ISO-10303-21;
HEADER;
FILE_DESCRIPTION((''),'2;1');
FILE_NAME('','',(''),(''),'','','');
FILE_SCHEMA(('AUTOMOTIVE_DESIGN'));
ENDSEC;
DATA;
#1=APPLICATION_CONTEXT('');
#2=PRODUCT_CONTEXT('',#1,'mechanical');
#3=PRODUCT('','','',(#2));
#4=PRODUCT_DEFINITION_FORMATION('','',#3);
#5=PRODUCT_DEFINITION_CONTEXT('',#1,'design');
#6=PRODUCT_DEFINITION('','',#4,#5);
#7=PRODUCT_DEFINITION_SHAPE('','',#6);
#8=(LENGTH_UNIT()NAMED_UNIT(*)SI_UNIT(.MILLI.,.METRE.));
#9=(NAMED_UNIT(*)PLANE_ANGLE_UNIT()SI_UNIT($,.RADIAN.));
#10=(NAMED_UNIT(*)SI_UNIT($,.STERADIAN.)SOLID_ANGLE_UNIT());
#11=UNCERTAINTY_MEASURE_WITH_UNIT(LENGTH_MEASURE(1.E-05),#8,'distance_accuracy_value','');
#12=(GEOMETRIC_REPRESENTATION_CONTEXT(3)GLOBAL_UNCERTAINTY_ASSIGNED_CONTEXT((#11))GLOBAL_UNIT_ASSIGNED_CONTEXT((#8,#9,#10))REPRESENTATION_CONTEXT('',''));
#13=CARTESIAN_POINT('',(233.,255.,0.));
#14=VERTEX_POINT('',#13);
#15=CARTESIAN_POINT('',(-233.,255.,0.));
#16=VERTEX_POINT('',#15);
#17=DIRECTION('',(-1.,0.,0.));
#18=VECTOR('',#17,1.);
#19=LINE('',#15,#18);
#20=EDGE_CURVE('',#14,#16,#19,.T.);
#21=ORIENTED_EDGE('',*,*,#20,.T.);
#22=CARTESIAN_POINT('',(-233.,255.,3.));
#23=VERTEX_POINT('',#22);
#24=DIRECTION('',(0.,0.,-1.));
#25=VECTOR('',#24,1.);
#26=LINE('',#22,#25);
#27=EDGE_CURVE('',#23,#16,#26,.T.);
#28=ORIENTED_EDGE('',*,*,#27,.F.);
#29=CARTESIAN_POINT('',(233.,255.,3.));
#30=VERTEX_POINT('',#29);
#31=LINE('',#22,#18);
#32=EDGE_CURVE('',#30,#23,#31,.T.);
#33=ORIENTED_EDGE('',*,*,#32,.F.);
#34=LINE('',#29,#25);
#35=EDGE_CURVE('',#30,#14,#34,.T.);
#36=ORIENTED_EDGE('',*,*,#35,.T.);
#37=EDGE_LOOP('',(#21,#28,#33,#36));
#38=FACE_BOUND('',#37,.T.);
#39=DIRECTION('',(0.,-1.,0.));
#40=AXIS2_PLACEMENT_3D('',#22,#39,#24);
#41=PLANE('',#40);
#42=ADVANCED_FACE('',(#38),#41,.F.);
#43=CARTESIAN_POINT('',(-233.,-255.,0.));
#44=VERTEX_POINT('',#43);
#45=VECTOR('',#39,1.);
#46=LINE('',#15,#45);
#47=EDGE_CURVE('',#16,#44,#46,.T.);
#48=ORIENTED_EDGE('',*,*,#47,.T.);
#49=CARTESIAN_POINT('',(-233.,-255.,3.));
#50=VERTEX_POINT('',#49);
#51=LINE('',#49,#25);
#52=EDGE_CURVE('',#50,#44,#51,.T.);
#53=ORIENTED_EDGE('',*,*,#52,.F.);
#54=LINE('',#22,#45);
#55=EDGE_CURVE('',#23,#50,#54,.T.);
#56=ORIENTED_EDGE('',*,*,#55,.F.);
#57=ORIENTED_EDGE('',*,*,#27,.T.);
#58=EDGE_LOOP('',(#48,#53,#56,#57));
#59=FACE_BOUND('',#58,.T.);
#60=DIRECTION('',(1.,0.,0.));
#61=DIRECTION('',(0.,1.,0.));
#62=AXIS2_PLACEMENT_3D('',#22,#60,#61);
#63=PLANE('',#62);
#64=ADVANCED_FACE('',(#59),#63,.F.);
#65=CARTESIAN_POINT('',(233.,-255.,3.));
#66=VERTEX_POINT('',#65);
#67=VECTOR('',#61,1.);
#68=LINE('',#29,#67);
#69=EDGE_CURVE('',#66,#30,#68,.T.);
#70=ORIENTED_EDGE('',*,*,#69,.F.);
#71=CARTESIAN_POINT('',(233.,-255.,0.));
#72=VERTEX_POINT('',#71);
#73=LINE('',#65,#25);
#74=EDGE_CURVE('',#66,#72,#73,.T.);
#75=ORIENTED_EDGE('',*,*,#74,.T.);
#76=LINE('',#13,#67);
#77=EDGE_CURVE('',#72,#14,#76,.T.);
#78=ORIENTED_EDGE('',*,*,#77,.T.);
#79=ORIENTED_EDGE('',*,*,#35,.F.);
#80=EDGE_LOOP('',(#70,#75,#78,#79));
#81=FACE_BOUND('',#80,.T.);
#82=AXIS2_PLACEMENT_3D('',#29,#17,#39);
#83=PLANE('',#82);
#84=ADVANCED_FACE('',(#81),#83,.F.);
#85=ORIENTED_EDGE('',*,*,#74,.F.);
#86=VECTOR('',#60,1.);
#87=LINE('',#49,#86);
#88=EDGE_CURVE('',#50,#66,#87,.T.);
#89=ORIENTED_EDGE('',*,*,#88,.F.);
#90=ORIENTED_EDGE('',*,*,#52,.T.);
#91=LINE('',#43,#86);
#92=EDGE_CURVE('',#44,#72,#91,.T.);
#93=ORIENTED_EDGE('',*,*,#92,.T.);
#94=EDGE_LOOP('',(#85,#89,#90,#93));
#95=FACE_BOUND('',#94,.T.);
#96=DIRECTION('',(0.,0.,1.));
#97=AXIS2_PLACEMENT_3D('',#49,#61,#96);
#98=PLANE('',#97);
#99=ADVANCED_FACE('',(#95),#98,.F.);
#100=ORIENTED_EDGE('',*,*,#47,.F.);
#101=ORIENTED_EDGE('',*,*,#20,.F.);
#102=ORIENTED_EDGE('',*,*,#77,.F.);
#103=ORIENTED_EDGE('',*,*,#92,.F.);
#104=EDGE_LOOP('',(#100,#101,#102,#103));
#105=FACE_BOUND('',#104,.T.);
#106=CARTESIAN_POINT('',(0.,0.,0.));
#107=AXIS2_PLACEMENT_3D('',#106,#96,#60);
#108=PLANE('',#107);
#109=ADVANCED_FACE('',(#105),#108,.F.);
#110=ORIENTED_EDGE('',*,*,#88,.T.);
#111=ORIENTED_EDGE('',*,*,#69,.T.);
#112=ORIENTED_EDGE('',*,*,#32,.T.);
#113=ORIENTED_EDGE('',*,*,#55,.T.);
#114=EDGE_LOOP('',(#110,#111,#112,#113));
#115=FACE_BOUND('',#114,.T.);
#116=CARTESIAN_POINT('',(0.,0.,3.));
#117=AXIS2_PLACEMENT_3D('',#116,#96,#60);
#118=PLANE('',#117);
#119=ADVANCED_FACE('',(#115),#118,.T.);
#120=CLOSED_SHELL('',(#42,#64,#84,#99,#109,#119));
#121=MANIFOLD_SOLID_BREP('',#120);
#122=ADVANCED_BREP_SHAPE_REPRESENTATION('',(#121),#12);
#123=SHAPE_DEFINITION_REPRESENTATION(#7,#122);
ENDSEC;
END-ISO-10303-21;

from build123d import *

# Parameters (mm, degrees)
SKICA1_W                = 466
SKICA1_H                = 510
P_IDAT_VYSUNUT_M1_DEPTH = 3


with BuildPart() as part:
    # Skica1 → Přidat vysunutím1 (new body)
    with BuildSketch(Plane.XY):
        Rectangle(SKICA1_W, SKICA1_H)
    extrude(amount=P_IDAT_VYSUNUT_M1_DEPTH)


solid = part.part
